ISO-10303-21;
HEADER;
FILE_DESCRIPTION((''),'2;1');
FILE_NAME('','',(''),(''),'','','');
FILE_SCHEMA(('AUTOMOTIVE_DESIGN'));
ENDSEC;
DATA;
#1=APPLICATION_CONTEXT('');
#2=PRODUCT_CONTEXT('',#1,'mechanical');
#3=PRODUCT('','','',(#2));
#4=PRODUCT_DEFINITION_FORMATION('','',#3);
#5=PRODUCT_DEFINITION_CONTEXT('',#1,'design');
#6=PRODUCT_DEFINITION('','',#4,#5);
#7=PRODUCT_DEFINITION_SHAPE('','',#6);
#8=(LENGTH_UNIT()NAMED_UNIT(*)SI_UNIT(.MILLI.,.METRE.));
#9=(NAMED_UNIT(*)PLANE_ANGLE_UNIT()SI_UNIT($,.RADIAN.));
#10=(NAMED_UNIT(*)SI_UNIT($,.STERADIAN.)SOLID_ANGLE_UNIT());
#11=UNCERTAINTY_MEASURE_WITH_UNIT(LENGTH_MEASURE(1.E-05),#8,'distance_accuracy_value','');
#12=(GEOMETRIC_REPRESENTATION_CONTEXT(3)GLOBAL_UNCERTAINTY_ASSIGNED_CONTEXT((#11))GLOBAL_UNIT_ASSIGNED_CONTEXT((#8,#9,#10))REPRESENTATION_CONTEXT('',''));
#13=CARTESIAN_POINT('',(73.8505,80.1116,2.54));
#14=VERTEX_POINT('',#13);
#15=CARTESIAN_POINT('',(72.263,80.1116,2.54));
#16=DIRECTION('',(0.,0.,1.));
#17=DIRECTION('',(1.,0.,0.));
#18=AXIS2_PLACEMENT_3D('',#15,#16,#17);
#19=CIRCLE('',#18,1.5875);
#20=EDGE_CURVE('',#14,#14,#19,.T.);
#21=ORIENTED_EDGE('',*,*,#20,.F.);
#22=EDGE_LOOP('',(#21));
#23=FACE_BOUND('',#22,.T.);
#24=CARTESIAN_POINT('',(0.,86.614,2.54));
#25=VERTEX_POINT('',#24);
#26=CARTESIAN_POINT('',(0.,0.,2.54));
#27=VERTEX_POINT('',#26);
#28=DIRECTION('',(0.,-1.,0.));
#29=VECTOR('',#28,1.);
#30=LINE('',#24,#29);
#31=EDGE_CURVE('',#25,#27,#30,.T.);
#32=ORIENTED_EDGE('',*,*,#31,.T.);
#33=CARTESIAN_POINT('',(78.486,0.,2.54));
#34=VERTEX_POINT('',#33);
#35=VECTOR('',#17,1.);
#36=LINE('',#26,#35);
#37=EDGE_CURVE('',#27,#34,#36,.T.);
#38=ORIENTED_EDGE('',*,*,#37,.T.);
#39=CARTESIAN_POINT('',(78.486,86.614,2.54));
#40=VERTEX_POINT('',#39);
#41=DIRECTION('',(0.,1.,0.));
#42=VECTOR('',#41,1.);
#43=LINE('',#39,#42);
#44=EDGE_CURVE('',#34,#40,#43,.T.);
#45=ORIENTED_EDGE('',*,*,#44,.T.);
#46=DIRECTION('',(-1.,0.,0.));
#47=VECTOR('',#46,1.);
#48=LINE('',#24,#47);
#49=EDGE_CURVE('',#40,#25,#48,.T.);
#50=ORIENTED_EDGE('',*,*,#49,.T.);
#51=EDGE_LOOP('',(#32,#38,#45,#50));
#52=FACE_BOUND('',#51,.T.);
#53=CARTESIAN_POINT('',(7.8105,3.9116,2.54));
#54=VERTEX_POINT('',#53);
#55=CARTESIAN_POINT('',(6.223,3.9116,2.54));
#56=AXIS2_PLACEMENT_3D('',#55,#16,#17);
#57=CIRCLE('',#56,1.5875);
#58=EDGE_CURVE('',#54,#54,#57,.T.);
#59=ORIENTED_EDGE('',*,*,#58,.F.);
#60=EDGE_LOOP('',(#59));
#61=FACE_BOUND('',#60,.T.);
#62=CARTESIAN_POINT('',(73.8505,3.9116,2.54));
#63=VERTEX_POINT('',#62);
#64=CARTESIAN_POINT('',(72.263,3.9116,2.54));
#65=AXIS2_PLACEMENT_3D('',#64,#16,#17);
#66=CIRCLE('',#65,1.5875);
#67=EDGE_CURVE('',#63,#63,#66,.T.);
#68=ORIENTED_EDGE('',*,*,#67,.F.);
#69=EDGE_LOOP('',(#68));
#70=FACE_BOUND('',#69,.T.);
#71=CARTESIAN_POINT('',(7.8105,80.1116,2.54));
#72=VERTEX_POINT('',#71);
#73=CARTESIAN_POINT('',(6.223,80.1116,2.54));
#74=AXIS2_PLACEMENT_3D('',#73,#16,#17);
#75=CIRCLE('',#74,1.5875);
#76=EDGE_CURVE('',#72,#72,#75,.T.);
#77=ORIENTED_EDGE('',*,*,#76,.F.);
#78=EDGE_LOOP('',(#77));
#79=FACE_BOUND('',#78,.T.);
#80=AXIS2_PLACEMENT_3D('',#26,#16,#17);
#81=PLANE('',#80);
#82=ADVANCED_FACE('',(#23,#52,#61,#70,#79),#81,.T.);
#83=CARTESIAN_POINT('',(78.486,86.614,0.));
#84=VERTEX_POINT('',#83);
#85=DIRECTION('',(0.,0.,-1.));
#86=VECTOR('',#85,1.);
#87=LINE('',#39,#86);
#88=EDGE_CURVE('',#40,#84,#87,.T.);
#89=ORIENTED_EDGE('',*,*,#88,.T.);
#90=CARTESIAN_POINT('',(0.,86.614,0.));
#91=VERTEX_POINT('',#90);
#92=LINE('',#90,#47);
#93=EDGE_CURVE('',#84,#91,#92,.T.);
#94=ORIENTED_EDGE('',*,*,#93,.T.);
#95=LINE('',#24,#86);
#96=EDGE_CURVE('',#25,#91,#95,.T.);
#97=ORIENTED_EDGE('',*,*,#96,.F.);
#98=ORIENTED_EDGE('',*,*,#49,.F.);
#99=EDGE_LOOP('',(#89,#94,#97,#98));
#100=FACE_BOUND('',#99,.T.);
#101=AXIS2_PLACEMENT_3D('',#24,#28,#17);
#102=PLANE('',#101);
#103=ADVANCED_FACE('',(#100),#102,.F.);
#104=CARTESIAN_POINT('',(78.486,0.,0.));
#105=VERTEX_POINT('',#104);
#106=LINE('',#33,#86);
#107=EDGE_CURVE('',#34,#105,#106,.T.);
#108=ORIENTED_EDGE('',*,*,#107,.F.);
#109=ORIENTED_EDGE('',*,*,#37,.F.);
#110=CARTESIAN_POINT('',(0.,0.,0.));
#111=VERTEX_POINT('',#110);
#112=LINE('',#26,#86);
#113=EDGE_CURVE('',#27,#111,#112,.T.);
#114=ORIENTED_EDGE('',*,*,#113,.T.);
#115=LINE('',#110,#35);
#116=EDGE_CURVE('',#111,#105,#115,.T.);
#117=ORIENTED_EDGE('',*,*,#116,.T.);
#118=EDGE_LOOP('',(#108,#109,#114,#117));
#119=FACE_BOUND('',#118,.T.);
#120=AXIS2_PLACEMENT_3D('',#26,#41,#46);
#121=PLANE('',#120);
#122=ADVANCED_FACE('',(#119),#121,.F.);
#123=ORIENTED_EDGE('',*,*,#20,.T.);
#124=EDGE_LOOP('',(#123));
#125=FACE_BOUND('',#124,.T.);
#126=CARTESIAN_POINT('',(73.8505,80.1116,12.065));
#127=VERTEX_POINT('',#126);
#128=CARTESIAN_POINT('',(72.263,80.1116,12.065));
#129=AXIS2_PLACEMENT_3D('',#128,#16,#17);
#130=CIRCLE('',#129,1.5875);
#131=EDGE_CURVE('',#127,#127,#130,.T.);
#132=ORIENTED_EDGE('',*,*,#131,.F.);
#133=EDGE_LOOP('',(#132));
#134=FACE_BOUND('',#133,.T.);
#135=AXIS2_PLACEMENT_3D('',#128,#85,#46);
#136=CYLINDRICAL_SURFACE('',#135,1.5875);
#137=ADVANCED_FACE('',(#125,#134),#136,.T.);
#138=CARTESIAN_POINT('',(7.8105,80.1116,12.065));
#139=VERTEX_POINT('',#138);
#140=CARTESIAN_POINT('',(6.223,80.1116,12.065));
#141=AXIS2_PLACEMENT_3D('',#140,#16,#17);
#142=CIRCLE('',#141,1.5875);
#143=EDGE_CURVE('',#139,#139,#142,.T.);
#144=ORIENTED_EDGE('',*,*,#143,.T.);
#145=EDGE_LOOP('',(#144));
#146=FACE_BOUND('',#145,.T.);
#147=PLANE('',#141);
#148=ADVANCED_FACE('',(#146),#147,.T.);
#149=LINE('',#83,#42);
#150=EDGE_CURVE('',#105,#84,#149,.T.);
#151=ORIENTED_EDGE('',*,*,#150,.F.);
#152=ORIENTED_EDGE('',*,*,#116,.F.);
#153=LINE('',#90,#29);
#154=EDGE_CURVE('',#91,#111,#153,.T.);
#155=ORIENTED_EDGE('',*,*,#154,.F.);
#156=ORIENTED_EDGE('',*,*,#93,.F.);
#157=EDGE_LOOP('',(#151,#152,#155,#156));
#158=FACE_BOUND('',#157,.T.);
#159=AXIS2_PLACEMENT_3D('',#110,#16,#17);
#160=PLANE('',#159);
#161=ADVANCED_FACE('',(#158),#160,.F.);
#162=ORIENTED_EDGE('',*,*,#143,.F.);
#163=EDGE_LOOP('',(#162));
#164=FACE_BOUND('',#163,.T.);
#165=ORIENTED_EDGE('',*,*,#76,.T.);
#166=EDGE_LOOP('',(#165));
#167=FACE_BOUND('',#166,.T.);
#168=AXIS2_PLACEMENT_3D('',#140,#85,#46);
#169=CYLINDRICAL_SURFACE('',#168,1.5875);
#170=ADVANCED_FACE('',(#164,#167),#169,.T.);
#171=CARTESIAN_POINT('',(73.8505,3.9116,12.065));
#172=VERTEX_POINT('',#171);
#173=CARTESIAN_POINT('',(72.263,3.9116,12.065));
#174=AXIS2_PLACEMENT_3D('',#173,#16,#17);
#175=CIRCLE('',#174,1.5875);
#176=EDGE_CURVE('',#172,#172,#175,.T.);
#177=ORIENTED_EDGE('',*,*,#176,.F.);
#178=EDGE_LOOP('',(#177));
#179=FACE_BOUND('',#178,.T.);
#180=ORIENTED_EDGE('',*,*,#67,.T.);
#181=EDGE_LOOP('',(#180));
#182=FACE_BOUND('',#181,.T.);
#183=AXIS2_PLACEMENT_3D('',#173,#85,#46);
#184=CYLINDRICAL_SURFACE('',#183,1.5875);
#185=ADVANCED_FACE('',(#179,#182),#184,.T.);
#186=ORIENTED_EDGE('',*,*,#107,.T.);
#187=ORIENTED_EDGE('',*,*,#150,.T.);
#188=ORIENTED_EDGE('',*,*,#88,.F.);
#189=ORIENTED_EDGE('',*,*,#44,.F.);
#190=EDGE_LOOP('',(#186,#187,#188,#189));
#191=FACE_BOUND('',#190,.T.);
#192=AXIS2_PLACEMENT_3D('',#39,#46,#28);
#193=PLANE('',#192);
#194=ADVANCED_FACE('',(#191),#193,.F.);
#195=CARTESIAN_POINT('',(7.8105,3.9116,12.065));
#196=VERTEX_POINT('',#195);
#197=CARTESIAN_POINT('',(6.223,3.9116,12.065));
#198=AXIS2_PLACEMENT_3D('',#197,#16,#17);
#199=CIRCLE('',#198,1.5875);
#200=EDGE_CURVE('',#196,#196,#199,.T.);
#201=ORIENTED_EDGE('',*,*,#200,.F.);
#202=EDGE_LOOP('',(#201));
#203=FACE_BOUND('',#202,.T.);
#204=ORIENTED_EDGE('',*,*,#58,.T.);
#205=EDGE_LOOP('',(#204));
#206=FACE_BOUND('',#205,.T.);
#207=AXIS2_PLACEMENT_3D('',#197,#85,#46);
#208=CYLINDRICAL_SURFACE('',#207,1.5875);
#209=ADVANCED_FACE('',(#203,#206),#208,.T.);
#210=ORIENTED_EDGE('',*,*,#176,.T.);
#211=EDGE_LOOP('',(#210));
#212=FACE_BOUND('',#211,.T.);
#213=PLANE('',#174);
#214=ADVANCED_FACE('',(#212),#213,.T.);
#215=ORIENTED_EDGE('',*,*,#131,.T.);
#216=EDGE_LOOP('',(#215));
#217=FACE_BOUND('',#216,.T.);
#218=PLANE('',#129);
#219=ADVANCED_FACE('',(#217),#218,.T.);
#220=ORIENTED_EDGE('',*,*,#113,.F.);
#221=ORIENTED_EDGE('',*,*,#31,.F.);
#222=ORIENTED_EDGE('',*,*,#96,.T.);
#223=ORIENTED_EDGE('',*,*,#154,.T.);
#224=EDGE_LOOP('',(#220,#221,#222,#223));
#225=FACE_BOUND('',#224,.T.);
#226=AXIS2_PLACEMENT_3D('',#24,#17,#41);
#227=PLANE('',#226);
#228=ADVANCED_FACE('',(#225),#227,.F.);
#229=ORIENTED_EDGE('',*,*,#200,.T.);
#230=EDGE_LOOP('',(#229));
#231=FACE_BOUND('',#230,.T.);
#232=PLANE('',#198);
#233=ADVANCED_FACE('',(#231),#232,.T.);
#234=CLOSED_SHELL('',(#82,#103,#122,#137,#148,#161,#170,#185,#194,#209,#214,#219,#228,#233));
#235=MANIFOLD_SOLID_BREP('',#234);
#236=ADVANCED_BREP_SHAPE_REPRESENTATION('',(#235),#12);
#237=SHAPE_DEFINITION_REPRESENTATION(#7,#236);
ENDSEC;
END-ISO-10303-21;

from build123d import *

# Parameters (mm, degrees)
SKETCH1_W           = 78.486
SKETCH1_H           = 86.614
BOSS_EXTRUDE1_DEPTH = 2.54
SKETCH2_R           = 1.5875
BOSS_EXTRUDE2_DEPTH = 9.525


with BuildPart() as part:
    # Sketch1 → Boss-Extrude1 (new body)
    with BuildSketch(Plane.XY):
        with Locations((39.243, 43.307)):
            Rectangle(SKETCH1_W, SKETCH1_H)
    extrude(amount=BOSS_EXTRUDE1_DEPTH)

    # Sketch2 → Boss-Extrude2 (add)
    with BuildSketch(Plane.XY.offset(2.54)):
        with Locations((6.223, 80.1116)):
            Circle(SKETCH2_R)
        with Locations((72.263, 80.1116)):
            Circle(SKETCH2_R)
        with Locations((72.263, 3.9116)):
            Circle(SKETCH2_R)
        with Locations((6.223, 3.9116)):
            Circle(SKETCH2_R)
    extrude(amount=BOSS_EXTRUDE2_DEPTH)


solid = part.part
